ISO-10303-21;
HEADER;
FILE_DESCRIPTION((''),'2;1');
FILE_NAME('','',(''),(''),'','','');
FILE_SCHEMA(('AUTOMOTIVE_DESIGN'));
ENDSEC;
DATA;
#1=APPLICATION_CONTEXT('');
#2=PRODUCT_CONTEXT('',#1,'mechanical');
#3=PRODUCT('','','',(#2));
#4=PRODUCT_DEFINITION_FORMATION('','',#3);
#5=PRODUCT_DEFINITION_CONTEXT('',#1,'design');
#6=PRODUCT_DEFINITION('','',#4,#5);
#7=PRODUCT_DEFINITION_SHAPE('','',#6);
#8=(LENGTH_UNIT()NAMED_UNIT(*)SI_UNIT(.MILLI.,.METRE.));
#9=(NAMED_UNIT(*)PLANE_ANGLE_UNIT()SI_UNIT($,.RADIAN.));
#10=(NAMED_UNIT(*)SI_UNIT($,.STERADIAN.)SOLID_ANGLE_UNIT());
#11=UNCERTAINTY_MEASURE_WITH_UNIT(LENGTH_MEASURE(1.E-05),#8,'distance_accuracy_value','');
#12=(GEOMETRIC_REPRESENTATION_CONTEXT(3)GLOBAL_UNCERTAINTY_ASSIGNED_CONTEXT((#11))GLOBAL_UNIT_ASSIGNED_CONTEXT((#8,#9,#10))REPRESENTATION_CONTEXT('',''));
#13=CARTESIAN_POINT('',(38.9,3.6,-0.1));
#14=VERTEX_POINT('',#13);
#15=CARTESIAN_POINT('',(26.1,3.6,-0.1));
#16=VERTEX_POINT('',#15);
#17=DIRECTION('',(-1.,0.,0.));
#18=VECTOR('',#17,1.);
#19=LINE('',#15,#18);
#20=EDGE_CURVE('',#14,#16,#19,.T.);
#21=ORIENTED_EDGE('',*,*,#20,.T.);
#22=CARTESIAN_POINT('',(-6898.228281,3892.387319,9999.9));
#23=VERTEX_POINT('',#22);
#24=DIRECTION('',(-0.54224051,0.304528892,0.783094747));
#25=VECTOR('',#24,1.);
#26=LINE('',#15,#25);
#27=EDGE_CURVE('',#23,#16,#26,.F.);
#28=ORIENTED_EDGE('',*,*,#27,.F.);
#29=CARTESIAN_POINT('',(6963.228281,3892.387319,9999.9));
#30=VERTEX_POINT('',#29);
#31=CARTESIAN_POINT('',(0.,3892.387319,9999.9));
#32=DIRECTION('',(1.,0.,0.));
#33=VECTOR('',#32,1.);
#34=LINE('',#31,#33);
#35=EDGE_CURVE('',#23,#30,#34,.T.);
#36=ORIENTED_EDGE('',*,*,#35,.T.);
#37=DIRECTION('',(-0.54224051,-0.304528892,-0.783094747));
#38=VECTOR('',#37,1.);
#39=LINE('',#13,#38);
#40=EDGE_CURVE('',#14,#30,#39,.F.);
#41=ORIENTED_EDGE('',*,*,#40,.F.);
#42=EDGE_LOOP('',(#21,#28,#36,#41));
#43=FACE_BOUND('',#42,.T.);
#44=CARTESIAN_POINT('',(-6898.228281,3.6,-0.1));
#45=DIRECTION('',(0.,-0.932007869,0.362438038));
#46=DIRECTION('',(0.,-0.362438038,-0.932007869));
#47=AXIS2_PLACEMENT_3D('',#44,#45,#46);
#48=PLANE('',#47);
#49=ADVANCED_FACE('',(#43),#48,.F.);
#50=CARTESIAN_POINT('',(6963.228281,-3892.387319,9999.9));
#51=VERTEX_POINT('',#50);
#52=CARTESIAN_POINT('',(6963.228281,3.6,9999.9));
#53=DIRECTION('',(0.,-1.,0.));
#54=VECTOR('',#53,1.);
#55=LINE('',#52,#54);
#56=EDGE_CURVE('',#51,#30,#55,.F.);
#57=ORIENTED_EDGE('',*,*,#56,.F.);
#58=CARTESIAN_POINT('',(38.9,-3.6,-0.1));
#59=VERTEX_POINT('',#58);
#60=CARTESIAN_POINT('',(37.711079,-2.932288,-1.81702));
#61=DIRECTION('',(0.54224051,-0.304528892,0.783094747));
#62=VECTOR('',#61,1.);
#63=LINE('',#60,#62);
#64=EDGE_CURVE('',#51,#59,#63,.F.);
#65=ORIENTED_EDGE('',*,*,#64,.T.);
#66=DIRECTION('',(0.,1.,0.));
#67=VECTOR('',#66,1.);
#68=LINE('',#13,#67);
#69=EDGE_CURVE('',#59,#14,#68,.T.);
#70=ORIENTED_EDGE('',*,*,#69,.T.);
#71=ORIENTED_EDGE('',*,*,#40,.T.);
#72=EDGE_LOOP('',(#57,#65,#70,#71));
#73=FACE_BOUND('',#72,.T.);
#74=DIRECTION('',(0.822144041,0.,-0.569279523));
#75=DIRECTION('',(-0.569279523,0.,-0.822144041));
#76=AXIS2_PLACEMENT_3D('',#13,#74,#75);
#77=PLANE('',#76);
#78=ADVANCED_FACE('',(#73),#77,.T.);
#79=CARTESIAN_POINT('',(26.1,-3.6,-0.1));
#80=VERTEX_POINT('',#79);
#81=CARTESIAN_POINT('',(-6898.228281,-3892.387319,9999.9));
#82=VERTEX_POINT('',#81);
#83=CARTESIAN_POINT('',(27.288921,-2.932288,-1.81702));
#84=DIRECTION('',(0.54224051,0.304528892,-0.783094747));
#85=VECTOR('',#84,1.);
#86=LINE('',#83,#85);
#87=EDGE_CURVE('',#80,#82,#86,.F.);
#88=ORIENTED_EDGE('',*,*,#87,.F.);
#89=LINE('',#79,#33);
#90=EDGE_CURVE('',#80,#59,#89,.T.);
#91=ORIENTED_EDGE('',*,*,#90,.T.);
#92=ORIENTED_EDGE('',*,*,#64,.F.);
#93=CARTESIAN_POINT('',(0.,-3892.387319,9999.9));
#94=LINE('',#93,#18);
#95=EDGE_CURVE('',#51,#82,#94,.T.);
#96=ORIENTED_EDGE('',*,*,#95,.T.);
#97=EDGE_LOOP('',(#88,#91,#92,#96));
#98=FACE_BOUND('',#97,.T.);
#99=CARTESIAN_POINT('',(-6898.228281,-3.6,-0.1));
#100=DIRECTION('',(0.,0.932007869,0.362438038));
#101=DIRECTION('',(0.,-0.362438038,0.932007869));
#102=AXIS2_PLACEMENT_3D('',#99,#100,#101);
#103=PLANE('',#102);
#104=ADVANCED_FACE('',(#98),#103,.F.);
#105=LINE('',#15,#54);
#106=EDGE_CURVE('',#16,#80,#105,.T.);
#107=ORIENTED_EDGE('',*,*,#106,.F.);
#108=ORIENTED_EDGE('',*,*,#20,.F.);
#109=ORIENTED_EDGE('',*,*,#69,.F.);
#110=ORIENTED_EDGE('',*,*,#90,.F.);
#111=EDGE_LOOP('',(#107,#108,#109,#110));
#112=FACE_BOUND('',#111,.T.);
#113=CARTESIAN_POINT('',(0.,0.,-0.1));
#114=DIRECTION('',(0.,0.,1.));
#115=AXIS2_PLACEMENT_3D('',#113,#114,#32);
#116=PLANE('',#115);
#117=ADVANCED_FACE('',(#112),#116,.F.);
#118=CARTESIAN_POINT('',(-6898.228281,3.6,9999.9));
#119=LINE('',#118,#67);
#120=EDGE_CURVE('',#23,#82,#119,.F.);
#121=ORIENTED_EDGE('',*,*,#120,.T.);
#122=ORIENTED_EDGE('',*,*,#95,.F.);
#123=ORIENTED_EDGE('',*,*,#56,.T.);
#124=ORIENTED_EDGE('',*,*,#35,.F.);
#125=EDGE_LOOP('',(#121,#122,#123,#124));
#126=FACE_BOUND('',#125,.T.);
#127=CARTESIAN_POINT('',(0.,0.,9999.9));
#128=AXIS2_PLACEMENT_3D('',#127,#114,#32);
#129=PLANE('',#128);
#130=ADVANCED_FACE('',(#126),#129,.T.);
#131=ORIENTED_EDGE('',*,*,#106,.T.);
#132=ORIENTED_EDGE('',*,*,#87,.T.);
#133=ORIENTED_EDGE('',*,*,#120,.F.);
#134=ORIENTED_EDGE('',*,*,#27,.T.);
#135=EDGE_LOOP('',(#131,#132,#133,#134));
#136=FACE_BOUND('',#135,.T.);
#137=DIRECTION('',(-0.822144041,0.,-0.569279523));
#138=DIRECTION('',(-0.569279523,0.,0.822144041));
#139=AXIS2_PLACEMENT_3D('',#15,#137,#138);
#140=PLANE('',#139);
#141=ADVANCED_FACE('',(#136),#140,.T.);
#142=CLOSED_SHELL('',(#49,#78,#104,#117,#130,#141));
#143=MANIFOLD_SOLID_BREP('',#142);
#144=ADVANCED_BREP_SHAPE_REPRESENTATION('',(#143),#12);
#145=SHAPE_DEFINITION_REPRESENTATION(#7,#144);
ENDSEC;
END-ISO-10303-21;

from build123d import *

# Parameters (mm, degrees)
SKETCH1_W               = 12.8
SKETCH1_H               = 7.2
BOSS_EXTRUDE1_DEPTH     = 10000
BOSS_EXTRUDE1_TAPER     = -34.7
CUT_EXTRUDE1_DEPTH      = 14018.158712552
CUT_EXTRUDE1_DEPTH_BACK = 14018.158712552


with BuildPart() as part:
    # Sketch1 → Boss-Extrude1 (new body)
    with BuildSketch(Plane.XY.offset(-0.1)):
        with Locations((32.5, 0)):
            Rectangle(SKETCH1_W, SKETCH1_H)
    extrude(amount=BOSS_EXTRUDE1_DEPTH, taper=BOSS_EXTRUDE1_TAPER)

    # Sketch2 → Cut-Extrude1 (cut, two sides: drawn at the far end of the back side and taken through both)
    with BuildSketch(Plane(origin=(0, 0, 0), x_dir=(0, 0, -1), z_dir=(1, 0, 0)).offset(-CUT_EXTRUDE1_DEPTH_BACK)):
        Polygon((0.1, 3.6), (0.1, -3.6), (-58862.10505337, -22893.859655225), (-798.767224137, -29978.123240602), (17319.323007579, 20158.848684987), (-60605.398834857, 23571.789530217), align=None)
    extrude(amount=CUT_EXTRUDE1_DEPTH + CUT_EXTRUDE1_DEPTH_BACK, mode=Mode.SUBTRACT)


solid = part.part
